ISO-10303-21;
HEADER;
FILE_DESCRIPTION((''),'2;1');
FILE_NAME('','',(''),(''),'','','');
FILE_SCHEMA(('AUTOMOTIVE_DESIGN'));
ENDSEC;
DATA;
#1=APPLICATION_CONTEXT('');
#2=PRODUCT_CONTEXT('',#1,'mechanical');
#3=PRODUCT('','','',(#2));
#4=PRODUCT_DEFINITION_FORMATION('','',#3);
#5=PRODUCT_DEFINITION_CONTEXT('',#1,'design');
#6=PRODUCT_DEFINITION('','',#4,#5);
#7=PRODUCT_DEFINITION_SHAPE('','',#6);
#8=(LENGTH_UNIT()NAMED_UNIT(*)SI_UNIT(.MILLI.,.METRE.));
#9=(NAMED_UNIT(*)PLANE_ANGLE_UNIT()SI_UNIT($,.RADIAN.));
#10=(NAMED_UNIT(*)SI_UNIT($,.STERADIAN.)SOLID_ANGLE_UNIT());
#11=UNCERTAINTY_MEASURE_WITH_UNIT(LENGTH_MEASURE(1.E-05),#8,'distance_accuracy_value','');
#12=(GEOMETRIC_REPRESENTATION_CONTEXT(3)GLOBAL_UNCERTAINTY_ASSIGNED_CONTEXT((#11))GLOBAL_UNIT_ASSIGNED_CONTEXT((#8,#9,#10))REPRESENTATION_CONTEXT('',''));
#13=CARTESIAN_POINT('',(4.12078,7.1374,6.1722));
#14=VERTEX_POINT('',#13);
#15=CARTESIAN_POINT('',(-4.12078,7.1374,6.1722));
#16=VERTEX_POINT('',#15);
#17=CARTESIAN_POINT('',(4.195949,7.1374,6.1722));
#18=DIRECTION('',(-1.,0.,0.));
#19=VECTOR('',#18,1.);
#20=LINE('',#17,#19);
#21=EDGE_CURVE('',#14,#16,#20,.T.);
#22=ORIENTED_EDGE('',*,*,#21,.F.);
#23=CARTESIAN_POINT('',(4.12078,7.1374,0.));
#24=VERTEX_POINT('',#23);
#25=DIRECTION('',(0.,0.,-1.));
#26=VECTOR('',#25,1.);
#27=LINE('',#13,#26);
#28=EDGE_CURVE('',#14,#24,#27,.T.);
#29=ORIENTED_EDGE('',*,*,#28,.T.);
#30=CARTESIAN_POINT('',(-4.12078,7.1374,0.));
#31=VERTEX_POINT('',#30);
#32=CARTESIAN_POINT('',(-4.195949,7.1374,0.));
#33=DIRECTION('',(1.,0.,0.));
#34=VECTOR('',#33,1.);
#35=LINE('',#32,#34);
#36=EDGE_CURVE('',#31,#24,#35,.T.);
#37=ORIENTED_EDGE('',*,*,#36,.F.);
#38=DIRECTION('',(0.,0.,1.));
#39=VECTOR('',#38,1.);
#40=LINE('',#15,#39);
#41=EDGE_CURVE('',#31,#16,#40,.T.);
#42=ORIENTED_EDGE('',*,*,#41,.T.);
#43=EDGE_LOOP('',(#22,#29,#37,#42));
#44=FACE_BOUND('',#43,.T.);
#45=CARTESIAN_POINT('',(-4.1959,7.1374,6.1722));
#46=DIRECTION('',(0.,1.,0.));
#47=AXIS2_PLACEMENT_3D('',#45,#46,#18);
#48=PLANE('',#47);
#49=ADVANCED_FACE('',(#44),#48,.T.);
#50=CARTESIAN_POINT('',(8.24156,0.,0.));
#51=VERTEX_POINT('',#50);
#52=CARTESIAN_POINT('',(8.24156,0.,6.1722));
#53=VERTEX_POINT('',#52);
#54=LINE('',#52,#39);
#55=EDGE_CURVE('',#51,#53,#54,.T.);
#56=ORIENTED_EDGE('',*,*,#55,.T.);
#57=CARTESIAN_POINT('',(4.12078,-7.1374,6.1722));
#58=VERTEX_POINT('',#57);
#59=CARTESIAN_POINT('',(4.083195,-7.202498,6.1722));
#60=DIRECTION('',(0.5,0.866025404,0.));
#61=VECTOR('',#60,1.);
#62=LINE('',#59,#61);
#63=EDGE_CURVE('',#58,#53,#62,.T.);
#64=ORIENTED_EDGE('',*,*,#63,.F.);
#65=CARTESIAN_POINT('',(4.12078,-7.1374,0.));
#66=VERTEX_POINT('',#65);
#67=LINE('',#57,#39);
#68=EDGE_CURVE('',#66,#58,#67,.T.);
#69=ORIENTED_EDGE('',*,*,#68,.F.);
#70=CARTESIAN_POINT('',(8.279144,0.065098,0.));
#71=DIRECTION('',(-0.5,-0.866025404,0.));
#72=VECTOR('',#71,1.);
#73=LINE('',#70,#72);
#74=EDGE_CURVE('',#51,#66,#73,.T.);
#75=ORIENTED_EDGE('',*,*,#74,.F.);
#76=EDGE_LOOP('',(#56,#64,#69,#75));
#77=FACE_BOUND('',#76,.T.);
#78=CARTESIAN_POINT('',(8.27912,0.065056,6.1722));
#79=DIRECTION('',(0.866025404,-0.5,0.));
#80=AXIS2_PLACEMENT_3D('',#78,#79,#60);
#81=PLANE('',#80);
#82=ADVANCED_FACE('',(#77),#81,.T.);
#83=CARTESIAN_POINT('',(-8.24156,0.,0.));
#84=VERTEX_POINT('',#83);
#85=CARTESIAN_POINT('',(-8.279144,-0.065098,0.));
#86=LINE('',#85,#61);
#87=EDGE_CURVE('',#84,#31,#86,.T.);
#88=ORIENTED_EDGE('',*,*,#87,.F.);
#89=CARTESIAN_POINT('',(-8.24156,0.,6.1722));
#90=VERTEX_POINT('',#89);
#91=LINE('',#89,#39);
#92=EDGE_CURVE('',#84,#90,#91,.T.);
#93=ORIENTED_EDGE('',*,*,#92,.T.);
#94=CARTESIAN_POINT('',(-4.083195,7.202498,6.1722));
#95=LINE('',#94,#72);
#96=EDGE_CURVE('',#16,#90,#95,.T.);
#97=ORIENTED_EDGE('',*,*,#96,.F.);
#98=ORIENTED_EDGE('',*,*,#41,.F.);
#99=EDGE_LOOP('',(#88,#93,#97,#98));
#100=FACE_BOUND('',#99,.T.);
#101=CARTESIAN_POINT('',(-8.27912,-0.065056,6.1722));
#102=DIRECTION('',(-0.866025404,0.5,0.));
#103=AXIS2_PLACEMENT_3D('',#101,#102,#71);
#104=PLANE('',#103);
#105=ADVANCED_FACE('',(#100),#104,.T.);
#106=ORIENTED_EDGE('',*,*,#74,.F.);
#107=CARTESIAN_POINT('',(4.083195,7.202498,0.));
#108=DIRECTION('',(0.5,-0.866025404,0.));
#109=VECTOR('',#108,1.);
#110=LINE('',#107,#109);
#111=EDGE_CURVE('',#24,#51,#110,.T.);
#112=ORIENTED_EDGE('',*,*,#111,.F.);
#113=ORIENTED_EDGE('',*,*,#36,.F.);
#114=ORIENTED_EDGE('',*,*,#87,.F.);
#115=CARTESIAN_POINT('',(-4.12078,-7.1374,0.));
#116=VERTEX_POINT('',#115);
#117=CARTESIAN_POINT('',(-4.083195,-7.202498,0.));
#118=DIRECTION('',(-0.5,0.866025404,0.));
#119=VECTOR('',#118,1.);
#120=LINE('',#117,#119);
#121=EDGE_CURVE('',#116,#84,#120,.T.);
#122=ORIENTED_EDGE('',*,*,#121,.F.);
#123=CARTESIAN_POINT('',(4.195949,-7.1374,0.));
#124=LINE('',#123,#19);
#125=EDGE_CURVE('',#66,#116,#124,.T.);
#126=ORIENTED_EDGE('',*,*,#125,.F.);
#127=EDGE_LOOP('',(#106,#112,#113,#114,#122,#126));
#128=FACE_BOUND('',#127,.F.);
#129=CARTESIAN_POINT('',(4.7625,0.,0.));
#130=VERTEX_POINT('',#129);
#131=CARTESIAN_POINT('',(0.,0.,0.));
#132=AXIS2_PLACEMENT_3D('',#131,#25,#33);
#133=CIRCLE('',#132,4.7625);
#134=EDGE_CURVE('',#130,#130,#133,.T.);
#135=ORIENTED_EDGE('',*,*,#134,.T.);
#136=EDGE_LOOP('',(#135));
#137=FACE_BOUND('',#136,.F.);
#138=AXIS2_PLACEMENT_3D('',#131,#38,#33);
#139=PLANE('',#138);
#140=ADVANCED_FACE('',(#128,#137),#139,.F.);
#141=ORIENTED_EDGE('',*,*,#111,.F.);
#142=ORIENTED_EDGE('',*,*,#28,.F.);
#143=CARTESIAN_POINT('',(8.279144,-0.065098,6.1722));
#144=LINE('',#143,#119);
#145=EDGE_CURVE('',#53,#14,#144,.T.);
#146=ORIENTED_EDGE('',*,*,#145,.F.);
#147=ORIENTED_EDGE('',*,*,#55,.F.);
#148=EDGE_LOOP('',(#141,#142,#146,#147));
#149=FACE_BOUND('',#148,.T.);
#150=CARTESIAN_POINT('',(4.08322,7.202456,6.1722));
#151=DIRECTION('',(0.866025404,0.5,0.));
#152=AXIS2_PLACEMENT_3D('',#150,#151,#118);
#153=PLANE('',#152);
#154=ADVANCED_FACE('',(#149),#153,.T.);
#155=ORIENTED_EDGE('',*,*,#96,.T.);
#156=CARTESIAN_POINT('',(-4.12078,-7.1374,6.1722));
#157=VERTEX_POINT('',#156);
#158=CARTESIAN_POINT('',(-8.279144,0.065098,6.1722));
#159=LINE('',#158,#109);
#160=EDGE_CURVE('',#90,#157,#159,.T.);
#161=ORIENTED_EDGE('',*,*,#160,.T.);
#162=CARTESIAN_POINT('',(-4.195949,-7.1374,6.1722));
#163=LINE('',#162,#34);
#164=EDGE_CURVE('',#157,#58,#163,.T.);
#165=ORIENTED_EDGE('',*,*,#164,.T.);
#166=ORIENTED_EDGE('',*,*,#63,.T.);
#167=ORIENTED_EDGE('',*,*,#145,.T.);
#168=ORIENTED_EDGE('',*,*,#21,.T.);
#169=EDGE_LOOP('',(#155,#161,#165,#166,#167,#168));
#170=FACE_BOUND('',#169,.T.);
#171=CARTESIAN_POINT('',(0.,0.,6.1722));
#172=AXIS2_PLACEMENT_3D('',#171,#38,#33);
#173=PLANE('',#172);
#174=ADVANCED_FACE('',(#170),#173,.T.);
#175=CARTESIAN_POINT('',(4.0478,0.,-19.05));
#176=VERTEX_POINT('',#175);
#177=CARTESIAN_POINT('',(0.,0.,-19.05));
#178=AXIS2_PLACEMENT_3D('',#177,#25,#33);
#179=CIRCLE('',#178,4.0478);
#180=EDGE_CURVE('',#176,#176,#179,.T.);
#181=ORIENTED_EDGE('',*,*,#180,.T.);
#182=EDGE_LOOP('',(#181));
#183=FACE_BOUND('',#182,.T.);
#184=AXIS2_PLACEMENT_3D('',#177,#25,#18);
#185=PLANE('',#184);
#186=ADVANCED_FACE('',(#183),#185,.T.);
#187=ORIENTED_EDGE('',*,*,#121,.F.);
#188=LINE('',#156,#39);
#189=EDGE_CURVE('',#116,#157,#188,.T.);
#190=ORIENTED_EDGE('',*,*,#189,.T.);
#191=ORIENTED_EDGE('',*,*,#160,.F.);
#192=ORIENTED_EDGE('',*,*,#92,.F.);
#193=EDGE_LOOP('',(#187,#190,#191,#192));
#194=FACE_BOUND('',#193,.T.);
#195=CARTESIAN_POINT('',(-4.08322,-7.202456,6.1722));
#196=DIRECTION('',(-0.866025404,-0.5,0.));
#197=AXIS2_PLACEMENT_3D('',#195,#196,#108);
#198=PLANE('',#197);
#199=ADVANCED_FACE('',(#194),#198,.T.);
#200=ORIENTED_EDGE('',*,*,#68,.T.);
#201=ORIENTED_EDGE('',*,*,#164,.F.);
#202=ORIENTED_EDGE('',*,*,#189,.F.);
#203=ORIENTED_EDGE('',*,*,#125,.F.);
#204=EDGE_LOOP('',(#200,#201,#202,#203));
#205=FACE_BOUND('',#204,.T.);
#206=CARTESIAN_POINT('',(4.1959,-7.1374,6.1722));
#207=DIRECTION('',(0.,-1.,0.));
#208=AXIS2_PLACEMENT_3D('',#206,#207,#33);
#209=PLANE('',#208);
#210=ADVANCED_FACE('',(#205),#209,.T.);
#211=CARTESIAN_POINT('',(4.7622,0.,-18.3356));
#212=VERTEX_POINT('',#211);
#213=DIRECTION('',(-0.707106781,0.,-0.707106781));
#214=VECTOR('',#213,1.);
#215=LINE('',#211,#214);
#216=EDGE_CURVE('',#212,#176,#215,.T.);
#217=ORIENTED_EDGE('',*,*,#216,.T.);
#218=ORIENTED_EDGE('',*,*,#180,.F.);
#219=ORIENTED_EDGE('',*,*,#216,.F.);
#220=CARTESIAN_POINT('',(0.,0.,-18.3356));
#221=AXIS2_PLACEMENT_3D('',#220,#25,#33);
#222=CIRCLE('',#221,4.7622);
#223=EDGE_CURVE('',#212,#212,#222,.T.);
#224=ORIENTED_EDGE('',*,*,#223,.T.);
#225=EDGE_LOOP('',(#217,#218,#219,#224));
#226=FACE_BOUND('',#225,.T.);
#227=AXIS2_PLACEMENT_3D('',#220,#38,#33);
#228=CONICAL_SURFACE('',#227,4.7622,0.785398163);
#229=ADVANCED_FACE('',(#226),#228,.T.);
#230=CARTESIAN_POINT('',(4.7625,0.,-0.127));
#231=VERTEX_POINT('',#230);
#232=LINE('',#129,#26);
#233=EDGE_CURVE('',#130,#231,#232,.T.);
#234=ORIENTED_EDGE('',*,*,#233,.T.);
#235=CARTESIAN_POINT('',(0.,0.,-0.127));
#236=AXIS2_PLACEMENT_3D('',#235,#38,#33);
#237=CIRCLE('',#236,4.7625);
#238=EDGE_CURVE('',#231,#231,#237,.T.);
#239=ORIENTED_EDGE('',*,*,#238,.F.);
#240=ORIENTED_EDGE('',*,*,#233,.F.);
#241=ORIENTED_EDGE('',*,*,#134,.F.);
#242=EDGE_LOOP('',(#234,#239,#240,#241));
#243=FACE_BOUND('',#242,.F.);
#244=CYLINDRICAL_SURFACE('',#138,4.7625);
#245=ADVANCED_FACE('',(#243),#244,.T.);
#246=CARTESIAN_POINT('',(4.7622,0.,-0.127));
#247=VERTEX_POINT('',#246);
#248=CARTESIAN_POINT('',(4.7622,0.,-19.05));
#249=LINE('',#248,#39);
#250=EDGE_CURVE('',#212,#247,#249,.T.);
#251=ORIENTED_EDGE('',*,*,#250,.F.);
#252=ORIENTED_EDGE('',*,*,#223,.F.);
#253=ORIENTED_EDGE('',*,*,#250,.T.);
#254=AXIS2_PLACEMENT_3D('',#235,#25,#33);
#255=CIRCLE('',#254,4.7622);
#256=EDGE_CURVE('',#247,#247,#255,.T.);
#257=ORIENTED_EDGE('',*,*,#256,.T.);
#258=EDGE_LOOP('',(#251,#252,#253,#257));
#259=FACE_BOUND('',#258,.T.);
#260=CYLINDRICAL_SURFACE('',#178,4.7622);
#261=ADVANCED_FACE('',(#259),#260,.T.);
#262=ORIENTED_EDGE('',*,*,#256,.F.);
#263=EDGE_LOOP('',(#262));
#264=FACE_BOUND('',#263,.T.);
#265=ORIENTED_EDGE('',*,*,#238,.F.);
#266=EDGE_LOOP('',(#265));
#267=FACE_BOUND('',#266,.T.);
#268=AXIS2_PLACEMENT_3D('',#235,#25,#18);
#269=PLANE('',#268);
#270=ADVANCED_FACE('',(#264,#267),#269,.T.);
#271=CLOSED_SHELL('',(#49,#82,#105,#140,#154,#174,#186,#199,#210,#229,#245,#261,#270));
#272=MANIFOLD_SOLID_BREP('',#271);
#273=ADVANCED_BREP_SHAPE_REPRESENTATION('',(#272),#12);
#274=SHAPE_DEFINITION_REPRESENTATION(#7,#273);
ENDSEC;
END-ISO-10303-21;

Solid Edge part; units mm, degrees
sketch "Sketch1" plane through (0, 0, 0) normal (0, 0, 1) x (1, 0, 0)
  circle A0 centre (0, 0) radius 8.2794
  dimension "D1" = 16.5588
extrude "Protrusion1" add sketch "Sketch1" along normal blind 6.1722
sketch "Sketch2" plane through (0, 0, 0) normal (0, 0, -1) x (1, 0, 0)
  circle A0 centre (0, 0) radius 4.7625
extrude "Protrusion2" add sketch "Sketch2" along normal blind 19.05
sketch "Sketch3" plane through (0, 0, -19.05) normal (0, 0, -1) x (1, 0, 0)
  circle A0 centre (0, 0) radius 4.7622
extrude "Cutout1" cut sketch "Sketch3" against normal blind 18.923 flip side to cut
chamfer "Chamfer_1" distance 0.7144 angle 45 1 edges at (-4.7622, 0, -19.05)
sketch "Sketch4" plane through (0, 0, 6.1722) normal (0, 0, 1) x (1, 0, 0)
  line L0 (-4.1959, 7.1374) -> (4.1959, 7.1374)
  dimension "D1" = 14.2748
extrude "Cutout2" cut sketch "Sketch4" against normal up to next material side at (0, 7.1874, 6.1722)
pattern_circular "Pattern1" count 6 over 360 about axis through (0, 0, 6.1722) along (0, 0, 1) of "Cutout2"
properties part number "24100080"
